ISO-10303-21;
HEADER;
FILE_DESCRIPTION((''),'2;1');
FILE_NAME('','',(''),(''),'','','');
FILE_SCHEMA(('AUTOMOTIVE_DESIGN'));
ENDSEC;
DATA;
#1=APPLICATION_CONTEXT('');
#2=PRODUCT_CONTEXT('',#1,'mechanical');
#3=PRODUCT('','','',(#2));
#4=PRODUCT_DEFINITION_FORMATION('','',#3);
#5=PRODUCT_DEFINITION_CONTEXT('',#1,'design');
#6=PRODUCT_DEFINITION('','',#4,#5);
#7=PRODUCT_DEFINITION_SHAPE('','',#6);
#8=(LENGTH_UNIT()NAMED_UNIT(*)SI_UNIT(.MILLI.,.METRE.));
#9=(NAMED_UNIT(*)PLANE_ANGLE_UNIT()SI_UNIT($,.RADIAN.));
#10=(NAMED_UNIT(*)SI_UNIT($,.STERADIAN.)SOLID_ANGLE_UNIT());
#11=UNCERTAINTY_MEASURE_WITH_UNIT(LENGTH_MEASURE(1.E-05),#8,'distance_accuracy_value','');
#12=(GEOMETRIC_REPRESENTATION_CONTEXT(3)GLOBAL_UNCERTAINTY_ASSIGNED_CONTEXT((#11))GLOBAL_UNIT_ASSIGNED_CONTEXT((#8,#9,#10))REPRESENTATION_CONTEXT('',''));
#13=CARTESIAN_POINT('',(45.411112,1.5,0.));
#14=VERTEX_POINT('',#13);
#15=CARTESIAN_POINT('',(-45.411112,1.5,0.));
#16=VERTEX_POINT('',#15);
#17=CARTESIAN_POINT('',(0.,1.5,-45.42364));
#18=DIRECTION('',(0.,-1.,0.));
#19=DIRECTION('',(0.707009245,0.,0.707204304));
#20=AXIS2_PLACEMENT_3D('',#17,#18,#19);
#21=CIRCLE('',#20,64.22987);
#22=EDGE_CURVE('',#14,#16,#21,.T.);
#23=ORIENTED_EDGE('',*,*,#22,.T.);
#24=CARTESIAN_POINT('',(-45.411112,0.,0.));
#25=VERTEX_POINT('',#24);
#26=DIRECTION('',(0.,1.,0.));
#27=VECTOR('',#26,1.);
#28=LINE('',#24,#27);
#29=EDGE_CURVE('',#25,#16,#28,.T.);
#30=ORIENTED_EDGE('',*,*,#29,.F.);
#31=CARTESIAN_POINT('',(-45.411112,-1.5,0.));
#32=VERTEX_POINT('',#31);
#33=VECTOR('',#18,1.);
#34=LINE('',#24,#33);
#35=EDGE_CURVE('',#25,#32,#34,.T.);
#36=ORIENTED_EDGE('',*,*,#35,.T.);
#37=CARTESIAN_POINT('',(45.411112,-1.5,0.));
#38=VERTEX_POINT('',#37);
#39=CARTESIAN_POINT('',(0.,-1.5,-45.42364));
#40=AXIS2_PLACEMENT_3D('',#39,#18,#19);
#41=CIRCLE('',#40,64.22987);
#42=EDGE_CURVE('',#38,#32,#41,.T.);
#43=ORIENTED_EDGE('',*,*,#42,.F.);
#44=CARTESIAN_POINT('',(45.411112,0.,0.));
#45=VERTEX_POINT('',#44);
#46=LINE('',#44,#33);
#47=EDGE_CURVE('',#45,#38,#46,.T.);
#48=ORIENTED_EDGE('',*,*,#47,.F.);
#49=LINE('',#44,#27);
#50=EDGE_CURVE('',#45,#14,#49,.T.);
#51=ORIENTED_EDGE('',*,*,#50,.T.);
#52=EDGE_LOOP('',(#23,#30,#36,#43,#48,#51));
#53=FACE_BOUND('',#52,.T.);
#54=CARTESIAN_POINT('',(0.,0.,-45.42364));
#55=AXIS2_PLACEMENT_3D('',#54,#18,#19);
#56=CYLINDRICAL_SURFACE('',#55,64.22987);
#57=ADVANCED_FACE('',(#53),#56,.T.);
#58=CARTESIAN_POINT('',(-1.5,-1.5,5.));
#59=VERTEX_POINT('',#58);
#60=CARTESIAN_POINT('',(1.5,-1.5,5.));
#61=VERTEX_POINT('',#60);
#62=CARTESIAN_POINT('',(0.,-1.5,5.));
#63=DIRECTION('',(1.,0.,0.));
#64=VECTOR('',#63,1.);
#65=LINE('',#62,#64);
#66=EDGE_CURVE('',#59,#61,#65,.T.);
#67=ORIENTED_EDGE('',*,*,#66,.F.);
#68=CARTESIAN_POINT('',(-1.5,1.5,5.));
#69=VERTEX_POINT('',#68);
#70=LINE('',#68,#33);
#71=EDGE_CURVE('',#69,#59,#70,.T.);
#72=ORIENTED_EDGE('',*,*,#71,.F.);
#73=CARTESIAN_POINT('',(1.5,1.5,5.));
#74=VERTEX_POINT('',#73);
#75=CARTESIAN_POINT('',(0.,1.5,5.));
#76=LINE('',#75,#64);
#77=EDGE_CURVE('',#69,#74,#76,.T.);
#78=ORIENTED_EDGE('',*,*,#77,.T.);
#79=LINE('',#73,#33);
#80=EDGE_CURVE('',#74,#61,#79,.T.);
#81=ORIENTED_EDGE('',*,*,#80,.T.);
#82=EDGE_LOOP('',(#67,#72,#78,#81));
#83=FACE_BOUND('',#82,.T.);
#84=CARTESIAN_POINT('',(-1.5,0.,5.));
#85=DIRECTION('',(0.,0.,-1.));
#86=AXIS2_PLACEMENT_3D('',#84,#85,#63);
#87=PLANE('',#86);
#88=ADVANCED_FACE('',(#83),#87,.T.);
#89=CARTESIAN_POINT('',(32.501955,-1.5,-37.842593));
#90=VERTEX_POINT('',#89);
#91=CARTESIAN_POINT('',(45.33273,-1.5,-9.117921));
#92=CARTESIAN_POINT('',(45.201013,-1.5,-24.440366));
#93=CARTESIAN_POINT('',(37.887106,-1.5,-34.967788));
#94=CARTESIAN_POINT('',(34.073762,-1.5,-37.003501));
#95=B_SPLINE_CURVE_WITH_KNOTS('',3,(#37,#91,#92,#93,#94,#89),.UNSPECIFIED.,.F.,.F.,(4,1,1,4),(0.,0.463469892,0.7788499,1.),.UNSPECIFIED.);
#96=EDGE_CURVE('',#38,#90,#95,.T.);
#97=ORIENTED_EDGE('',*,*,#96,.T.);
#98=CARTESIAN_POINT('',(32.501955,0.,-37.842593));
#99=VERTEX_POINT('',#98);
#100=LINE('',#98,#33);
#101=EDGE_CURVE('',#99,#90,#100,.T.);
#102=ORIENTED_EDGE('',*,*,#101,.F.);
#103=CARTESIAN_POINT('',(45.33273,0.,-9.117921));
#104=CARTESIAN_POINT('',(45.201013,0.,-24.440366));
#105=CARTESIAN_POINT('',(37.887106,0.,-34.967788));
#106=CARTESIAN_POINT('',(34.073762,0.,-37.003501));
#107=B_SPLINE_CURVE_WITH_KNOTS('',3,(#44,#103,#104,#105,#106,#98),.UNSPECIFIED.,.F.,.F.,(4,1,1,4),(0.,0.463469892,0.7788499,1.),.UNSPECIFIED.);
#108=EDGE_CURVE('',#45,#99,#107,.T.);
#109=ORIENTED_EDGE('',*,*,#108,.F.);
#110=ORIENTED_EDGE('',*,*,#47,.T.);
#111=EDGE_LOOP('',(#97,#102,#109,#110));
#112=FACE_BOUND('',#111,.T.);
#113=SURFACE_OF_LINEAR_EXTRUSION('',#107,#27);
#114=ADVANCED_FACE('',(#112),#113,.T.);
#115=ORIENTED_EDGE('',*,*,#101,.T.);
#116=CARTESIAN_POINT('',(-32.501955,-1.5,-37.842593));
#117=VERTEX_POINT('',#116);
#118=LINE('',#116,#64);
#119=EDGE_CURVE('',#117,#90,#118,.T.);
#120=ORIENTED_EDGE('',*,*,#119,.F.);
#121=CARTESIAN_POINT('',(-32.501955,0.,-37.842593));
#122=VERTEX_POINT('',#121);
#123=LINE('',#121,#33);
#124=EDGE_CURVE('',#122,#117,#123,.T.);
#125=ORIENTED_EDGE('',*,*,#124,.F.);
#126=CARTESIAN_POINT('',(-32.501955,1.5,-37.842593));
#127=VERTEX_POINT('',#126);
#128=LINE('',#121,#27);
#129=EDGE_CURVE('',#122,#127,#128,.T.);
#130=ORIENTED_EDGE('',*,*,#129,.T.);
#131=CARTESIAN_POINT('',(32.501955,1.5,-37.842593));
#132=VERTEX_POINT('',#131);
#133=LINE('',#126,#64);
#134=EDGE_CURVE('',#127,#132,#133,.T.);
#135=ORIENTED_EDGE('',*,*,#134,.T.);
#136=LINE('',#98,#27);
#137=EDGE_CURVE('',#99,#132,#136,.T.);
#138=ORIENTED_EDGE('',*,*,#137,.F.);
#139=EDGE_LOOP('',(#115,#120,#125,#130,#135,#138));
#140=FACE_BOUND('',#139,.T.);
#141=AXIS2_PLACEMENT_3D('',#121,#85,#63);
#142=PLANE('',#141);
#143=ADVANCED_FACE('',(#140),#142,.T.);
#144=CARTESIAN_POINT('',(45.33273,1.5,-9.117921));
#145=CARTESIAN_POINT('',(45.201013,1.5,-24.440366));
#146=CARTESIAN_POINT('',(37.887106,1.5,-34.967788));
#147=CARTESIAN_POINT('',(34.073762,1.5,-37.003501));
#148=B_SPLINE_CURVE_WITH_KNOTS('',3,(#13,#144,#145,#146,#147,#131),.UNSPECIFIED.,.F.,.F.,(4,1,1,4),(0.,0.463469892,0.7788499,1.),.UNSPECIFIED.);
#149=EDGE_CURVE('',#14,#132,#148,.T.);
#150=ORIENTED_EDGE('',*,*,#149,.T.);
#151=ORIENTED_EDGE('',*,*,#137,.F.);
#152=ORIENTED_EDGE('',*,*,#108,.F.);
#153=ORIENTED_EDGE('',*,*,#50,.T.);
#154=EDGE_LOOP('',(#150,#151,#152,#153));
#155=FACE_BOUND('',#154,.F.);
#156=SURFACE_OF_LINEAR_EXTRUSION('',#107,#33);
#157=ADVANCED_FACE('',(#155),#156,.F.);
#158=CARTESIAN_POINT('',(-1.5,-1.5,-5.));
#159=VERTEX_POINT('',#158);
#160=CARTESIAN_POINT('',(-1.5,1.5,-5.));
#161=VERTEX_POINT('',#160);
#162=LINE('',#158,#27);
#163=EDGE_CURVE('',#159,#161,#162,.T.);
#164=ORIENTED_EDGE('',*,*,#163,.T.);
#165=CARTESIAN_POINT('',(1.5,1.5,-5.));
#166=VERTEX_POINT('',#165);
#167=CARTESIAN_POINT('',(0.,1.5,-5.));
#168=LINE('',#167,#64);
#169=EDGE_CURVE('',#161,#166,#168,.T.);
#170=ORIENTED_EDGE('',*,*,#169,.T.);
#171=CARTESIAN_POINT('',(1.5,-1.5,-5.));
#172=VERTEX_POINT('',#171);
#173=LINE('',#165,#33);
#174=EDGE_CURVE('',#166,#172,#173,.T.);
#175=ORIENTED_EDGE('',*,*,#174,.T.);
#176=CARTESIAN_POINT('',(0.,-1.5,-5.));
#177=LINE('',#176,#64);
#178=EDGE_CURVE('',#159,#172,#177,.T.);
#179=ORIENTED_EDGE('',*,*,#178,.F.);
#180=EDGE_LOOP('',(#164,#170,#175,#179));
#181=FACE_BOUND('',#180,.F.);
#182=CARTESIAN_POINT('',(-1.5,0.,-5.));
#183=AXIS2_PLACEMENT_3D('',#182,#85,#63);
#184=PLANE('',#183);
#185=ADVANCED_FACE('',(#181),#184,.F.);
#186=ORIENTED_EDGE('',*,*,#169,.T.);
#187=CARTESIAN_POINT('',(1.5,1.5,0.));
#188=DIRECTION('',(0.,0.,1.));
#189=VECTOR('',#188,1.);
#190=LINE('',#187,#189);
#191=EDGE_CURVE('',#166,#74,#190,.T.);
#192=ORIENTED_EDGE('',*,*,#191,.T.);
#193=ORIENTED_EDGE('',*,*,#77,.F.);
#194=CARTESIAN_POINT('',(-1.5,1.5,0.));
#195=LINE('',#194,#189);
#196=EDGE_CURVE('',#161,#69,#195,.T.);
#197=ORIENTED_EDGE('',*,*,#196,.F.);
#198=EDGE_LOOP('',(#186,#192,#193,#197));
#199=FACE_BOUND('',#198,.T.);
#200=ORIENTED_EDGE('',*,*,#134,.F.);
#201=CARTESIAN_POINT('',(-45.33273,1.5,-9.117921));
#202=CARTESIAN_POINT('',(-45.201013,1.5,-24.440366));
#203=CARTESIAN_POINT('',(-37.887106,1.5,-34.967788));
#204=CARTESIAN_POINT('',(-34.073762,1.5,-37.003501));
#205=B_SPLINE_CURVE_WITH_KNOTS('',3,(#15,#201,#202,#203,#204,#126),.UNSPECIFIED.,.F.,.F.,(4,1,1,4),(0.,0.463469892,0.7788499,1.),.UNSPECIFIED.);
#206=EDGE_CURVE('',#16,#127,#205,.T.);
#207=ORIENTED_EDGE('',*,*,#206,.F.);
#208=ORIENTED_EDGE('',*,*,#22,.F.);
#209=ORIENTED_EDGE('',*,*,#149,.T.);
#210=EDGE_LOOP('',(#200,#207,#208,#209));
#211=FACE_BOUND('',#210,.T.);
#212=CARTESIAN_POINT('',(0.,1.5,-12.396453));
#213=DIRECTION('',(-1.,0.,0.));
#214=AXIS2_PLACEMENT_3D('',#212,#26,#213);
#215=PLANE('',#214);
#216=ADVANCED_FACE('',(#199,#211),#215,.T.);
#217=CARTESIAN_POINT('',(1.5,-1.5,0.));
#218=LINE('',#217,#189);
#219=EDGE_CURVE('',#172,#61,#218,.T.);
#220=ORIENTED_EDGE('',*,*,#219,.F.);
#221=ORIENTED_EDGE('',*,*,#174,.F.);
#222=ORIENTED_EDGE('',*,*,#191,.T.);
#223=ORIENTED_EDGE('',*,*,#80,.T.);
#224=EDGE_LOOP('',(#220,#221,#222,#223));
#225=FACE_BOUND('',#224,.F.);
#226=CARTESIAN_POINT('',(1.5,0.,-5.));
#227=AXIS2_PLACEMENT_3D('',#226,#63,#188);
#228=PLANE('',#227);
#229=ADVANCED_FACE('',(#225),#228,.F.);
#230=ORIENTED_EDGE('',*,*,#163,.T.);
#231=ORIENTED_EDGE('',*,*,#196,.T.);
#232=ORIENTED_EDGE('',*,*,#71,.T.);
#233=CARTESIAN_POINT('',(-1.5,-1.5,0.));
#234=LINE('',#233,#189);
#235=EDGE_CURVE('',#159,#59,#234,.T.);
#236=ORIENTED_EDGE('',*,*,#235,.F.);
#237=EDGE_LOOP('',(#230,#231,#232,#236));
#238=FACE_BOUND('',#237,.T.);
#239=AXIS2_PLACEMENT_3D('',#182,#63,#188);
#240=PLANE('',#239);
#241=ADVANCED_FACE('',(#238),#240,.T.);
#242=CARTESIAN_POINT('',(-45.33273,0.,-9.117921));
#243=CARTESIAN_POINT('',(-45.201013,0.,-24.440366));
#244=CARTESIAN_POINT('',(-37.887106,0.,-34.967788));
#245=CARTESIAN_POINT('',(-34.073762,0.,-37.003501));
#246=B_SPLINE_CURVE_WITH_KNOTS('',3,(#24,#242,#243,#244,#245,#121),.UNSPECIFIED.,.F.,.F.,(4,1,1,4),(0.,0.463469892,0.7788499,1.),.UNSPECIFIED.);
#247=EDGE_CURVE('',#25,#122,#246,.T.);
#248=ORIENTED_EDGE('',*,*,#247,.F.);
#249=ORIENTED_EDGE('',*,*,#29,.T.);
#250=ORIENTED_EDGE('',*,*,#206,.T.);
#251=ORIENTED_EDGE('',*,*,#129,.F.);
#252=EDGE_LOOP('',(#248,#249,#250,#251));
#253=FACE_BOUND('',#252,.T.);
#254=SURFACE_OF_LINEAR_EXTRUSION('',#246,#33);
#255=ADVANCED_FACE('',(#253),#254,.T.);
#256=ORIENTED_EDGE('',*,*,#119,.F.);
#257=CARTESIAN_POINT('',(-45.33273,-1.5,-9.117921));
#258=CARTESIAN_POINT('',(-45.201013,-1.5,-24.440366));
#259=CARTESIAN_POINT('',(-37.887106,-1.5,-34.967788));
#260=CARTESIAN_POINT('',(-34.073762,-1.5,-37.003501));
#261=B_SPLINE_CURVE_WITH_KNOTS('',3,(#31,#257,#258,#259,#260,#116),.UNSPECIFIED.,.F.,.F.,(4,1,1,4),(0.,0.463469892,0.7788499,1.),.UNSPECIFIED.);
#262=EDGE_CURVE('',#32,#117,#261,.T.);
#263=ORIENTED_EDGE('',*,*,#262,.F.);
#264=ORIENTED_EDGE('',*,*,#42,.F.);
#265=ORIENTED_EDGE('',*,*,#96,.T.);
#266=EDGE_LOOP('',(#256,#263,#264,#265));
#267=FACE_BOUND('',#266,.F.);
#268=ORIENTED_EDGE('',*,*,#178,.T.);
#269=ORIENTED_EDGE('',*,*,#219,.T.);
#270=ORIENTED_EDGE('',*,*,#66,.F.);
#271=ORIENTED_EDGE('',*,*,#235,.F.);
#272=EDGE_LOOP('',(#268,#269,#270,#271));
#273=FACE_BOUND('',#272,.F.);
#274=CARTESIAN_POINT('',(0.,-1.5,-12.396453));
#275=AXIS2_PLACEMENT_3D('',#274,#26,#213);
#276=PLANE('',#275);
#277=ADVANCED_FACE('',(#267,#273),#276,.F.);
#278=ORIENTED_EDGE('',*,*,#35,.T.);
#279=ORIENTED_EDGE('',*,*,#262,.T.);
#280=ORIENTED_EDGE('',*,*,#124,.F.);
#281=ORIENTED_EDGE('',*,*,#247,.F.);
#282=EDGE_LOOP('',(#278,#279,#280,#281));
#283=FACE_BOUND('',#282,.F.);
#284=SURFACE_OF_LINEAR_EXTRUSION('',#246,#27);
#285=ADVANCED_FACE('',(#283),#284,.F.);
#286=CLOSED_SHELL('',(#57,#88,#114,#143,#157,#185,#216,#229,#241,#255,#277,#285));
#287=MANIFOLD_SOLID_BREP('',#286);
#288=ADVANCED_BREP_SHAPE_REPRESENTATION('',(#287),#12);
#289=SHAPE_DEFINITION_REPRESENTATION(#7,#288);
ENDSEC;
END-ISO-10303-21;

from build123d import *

# Parameters (mm, degrees)
F0_W     = 3
F0_H     = 10
F1_DEPTH = 1.5


with BuildPart() as f1:
    # F0 (on Front) → F1 (new body, symmetric)
    with BuildSketch(Plane.XZ):
        with BuildLine():
            add(Edge.make_bspline(
                [(45.4111116262, 0), (45.3327304926, -9.1179209254), (45.2010129011, -24.4403656227), (37.8871057547, -34.967788129), (34.0737616237, -37.0035010354), (32.5019552596, -37.8425930218)],
                knots=[0, 0, 0, 0, 0.4634698925, 0.7788498996, 1, 1, 1, 1], degree=3))
            ThreePointArc((45.4111116262, 0), (0, 18.8062293993), (-45.4111116262, 0))
            add(Edge.make_bspline(
                [(-45.4111116262, 0), (-45.3327304926, -9.1179209254), (-45.2010129011, -24.4403656227), (-37.8871057547, -34.967788129), (-34.0737616237, -37.0035010354), (-32.5019552596, -37.8425930218)],
                knots=[0, 0, 0, 0, 0.4634698925, 0.7788498996, 1, 1, 1, 1], degree=3))
            Line((-32.5019552596, -37.8425930218), (0, -37.8425930218))
            Line((0, -37.8425930218), (32.5019552596, -37.8425930218))
        make_face()
        Rectangle(F0_W, F0_H, mode=Mode.SUBTRACT)
    extrude(amount=F1_DEPTH, both=True)


solid = f1.part
